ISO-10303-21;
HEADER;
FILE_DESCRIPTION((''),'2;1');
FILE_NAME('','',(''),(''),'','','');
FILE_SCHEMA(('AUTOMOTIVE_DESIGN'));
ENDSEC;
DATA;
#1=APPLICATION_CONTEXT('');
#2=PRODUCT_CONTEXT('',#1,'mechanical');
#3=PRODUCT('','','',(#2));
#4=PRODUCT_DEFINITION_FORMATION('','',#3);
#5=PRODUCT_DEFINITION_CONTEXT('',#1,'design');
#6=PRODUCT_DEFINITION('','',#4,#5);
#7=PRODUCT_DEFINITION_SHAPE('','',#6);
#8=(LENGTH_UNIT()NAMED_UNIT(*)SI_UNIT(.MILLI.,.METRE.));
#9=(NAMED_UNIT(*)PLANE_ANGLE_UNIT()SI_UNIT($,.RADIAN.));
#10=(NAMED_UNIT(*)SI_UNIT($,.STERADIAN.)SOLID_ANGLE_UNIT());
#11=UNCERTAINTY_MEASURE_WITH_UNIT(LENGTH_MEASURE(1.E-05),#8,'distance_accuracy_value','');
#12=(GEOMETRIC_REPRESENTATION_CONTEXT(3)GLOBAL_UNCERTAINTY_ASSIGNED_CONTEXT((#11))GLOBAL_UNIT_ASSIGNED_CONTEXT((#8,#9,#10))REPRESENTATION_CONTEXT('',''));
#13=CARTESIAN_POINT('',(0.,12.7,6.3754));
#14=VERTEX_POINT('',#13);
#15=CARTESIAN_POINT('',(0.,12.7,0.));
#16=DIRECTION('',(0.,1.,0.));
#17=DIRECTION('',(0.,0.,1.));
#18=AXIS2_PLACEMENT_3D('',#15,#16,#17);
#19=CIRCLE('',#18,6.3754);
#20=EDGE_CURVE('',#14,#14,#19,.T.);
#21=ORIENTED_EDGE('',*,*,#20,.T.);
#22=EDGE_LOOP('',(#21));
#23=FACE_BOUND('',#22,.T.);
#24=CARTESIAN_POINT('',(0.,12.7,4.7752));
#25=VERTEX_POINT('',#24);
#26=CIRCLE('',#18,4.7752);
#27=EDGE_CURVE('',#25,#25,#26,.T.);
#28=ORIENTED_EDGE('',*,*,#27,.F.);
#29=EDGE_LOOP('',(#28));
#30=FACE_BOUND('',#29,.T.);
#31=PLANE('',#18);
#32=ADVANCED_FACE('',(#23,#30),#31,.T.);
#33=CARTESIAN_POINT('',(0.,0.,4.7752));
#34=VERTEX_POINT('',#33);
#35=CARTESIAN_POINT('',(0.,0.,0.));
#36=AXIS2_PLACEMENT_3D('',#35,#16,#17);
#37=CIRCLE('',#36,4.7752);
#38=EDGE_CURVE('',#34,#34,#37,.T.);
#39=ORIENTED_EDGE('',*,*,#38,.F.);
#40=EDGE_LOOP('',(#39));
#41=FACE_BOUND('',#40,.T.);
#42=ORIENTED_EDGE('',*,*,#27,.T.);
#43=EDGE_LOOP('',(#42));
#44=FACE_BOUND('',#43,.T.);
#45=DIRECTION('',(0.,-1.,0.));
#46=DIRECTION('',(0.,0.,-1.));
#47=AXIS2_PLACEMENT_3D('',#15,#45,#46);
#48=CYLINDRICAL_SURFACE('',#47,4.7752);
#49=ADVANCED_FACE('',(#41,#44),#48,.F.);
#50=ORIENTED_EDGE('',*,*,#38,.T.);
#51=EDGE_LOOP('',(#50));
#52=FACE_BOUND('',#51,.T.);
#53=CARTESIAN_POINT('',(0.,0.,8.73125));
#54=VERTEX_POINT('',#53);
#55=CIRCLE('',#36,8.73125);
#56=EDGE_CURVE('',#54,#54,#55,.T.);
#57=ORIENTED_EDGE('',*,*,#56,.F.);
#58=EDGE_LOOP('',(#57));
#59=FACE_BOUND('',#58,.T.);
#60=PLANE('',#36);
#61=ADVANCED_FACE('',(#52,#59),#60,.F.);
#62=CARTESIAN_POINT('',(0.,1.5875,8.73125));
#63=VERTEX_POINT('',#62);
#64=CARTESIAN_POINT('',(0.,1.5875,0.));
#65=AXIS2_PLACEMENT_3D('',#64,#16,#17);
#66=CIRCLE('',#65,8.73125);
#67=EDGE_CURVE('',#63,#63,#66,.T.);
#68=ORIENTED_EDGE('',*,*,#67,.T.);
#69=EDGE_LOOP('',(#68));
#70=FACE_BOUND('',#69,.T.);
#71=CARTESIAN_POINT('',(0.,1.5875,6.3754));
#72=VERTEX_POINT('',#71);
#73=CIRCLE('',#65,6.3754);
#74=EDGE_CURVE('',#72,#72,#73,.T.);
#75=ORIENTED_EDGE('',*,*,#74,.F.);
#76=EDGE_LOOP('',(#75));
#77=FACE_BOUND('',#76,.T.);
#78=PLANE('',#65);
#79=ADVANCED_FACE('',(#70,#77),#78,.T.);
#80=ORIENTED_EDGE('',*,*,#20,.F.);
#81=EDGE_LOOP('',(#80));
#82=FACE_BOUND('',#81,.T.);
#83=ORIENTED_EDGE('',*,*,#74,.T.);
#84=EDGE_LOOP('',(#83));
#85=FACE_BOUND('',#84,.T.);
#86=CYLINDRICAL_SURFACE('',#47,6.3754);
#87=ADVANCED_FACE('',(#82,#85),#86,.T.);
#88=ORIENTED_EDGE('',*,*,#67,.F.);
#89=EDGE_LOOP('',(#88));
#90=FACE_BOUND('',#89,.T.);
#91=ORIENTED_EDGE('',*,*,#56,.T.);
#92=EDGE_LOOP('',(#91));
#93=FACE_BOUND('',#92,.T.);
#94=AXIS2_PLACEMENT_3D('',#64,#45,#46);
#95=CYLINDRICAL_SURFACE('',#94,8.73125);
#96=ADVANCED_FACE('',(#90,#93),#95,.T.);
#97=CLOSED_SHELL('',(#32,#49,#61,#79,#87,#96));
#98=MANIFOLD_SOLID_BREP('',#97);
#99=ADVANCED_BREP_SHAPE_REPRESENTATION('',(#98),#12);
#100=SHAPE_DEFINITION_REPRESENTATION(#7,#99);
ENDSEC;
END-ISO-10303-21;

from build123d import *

# Parameters (mm, degrees)
SKETCH2_R           = 6.3754
SKETCH2_R_2         = 4.7752
BOSS_EXTRUDE1_DEPTH = 12.7
SKETCH3_R           = 8.73125
SKETCH3_R_2         = 6.3754
BOSS_EXTRUDE2_DEPTH = 1.5875


with BuildPart() as part:
    # Sketch2 → Boss-Extrude1 (new body)
    with BuildSketch(Plane(origin=(0, 0, 0), x_dir=(1, 0, 0), z_dir=(0, 1, 0))):
        with Locations(Location((0, 0, 0), (0, 0, 270))):
            Circle(SKETCH2_R)
        with Locations(Location((0, 0, 0), (0, 0, 270))):
            Circle(SKETCH2_R_2, mode=Mode.SUBTRACT)
    extrude(amount=BOSS_EXTRUDE1_DEPTH)

    # Sketch3 → Boss-Extrude2 (add)
    with BuildSketch(Plane(origin=(0, 0, 0), x_dir=(1, 0, 0), z_dir=(0, 1, 0))):
        with Locations(Location((0, 0, 0), (0, 0, 270))):
            Circle(SKETCH3_R)
        with Locations(Location((0, 0, 0), (0, 0, 270))):
            Circle(SKETCH3_R_2, mode=Mode.SUBTRACT)
    extrude(amount=BOSS_EXTRUDE2_DEPTH)


solid = part.part
